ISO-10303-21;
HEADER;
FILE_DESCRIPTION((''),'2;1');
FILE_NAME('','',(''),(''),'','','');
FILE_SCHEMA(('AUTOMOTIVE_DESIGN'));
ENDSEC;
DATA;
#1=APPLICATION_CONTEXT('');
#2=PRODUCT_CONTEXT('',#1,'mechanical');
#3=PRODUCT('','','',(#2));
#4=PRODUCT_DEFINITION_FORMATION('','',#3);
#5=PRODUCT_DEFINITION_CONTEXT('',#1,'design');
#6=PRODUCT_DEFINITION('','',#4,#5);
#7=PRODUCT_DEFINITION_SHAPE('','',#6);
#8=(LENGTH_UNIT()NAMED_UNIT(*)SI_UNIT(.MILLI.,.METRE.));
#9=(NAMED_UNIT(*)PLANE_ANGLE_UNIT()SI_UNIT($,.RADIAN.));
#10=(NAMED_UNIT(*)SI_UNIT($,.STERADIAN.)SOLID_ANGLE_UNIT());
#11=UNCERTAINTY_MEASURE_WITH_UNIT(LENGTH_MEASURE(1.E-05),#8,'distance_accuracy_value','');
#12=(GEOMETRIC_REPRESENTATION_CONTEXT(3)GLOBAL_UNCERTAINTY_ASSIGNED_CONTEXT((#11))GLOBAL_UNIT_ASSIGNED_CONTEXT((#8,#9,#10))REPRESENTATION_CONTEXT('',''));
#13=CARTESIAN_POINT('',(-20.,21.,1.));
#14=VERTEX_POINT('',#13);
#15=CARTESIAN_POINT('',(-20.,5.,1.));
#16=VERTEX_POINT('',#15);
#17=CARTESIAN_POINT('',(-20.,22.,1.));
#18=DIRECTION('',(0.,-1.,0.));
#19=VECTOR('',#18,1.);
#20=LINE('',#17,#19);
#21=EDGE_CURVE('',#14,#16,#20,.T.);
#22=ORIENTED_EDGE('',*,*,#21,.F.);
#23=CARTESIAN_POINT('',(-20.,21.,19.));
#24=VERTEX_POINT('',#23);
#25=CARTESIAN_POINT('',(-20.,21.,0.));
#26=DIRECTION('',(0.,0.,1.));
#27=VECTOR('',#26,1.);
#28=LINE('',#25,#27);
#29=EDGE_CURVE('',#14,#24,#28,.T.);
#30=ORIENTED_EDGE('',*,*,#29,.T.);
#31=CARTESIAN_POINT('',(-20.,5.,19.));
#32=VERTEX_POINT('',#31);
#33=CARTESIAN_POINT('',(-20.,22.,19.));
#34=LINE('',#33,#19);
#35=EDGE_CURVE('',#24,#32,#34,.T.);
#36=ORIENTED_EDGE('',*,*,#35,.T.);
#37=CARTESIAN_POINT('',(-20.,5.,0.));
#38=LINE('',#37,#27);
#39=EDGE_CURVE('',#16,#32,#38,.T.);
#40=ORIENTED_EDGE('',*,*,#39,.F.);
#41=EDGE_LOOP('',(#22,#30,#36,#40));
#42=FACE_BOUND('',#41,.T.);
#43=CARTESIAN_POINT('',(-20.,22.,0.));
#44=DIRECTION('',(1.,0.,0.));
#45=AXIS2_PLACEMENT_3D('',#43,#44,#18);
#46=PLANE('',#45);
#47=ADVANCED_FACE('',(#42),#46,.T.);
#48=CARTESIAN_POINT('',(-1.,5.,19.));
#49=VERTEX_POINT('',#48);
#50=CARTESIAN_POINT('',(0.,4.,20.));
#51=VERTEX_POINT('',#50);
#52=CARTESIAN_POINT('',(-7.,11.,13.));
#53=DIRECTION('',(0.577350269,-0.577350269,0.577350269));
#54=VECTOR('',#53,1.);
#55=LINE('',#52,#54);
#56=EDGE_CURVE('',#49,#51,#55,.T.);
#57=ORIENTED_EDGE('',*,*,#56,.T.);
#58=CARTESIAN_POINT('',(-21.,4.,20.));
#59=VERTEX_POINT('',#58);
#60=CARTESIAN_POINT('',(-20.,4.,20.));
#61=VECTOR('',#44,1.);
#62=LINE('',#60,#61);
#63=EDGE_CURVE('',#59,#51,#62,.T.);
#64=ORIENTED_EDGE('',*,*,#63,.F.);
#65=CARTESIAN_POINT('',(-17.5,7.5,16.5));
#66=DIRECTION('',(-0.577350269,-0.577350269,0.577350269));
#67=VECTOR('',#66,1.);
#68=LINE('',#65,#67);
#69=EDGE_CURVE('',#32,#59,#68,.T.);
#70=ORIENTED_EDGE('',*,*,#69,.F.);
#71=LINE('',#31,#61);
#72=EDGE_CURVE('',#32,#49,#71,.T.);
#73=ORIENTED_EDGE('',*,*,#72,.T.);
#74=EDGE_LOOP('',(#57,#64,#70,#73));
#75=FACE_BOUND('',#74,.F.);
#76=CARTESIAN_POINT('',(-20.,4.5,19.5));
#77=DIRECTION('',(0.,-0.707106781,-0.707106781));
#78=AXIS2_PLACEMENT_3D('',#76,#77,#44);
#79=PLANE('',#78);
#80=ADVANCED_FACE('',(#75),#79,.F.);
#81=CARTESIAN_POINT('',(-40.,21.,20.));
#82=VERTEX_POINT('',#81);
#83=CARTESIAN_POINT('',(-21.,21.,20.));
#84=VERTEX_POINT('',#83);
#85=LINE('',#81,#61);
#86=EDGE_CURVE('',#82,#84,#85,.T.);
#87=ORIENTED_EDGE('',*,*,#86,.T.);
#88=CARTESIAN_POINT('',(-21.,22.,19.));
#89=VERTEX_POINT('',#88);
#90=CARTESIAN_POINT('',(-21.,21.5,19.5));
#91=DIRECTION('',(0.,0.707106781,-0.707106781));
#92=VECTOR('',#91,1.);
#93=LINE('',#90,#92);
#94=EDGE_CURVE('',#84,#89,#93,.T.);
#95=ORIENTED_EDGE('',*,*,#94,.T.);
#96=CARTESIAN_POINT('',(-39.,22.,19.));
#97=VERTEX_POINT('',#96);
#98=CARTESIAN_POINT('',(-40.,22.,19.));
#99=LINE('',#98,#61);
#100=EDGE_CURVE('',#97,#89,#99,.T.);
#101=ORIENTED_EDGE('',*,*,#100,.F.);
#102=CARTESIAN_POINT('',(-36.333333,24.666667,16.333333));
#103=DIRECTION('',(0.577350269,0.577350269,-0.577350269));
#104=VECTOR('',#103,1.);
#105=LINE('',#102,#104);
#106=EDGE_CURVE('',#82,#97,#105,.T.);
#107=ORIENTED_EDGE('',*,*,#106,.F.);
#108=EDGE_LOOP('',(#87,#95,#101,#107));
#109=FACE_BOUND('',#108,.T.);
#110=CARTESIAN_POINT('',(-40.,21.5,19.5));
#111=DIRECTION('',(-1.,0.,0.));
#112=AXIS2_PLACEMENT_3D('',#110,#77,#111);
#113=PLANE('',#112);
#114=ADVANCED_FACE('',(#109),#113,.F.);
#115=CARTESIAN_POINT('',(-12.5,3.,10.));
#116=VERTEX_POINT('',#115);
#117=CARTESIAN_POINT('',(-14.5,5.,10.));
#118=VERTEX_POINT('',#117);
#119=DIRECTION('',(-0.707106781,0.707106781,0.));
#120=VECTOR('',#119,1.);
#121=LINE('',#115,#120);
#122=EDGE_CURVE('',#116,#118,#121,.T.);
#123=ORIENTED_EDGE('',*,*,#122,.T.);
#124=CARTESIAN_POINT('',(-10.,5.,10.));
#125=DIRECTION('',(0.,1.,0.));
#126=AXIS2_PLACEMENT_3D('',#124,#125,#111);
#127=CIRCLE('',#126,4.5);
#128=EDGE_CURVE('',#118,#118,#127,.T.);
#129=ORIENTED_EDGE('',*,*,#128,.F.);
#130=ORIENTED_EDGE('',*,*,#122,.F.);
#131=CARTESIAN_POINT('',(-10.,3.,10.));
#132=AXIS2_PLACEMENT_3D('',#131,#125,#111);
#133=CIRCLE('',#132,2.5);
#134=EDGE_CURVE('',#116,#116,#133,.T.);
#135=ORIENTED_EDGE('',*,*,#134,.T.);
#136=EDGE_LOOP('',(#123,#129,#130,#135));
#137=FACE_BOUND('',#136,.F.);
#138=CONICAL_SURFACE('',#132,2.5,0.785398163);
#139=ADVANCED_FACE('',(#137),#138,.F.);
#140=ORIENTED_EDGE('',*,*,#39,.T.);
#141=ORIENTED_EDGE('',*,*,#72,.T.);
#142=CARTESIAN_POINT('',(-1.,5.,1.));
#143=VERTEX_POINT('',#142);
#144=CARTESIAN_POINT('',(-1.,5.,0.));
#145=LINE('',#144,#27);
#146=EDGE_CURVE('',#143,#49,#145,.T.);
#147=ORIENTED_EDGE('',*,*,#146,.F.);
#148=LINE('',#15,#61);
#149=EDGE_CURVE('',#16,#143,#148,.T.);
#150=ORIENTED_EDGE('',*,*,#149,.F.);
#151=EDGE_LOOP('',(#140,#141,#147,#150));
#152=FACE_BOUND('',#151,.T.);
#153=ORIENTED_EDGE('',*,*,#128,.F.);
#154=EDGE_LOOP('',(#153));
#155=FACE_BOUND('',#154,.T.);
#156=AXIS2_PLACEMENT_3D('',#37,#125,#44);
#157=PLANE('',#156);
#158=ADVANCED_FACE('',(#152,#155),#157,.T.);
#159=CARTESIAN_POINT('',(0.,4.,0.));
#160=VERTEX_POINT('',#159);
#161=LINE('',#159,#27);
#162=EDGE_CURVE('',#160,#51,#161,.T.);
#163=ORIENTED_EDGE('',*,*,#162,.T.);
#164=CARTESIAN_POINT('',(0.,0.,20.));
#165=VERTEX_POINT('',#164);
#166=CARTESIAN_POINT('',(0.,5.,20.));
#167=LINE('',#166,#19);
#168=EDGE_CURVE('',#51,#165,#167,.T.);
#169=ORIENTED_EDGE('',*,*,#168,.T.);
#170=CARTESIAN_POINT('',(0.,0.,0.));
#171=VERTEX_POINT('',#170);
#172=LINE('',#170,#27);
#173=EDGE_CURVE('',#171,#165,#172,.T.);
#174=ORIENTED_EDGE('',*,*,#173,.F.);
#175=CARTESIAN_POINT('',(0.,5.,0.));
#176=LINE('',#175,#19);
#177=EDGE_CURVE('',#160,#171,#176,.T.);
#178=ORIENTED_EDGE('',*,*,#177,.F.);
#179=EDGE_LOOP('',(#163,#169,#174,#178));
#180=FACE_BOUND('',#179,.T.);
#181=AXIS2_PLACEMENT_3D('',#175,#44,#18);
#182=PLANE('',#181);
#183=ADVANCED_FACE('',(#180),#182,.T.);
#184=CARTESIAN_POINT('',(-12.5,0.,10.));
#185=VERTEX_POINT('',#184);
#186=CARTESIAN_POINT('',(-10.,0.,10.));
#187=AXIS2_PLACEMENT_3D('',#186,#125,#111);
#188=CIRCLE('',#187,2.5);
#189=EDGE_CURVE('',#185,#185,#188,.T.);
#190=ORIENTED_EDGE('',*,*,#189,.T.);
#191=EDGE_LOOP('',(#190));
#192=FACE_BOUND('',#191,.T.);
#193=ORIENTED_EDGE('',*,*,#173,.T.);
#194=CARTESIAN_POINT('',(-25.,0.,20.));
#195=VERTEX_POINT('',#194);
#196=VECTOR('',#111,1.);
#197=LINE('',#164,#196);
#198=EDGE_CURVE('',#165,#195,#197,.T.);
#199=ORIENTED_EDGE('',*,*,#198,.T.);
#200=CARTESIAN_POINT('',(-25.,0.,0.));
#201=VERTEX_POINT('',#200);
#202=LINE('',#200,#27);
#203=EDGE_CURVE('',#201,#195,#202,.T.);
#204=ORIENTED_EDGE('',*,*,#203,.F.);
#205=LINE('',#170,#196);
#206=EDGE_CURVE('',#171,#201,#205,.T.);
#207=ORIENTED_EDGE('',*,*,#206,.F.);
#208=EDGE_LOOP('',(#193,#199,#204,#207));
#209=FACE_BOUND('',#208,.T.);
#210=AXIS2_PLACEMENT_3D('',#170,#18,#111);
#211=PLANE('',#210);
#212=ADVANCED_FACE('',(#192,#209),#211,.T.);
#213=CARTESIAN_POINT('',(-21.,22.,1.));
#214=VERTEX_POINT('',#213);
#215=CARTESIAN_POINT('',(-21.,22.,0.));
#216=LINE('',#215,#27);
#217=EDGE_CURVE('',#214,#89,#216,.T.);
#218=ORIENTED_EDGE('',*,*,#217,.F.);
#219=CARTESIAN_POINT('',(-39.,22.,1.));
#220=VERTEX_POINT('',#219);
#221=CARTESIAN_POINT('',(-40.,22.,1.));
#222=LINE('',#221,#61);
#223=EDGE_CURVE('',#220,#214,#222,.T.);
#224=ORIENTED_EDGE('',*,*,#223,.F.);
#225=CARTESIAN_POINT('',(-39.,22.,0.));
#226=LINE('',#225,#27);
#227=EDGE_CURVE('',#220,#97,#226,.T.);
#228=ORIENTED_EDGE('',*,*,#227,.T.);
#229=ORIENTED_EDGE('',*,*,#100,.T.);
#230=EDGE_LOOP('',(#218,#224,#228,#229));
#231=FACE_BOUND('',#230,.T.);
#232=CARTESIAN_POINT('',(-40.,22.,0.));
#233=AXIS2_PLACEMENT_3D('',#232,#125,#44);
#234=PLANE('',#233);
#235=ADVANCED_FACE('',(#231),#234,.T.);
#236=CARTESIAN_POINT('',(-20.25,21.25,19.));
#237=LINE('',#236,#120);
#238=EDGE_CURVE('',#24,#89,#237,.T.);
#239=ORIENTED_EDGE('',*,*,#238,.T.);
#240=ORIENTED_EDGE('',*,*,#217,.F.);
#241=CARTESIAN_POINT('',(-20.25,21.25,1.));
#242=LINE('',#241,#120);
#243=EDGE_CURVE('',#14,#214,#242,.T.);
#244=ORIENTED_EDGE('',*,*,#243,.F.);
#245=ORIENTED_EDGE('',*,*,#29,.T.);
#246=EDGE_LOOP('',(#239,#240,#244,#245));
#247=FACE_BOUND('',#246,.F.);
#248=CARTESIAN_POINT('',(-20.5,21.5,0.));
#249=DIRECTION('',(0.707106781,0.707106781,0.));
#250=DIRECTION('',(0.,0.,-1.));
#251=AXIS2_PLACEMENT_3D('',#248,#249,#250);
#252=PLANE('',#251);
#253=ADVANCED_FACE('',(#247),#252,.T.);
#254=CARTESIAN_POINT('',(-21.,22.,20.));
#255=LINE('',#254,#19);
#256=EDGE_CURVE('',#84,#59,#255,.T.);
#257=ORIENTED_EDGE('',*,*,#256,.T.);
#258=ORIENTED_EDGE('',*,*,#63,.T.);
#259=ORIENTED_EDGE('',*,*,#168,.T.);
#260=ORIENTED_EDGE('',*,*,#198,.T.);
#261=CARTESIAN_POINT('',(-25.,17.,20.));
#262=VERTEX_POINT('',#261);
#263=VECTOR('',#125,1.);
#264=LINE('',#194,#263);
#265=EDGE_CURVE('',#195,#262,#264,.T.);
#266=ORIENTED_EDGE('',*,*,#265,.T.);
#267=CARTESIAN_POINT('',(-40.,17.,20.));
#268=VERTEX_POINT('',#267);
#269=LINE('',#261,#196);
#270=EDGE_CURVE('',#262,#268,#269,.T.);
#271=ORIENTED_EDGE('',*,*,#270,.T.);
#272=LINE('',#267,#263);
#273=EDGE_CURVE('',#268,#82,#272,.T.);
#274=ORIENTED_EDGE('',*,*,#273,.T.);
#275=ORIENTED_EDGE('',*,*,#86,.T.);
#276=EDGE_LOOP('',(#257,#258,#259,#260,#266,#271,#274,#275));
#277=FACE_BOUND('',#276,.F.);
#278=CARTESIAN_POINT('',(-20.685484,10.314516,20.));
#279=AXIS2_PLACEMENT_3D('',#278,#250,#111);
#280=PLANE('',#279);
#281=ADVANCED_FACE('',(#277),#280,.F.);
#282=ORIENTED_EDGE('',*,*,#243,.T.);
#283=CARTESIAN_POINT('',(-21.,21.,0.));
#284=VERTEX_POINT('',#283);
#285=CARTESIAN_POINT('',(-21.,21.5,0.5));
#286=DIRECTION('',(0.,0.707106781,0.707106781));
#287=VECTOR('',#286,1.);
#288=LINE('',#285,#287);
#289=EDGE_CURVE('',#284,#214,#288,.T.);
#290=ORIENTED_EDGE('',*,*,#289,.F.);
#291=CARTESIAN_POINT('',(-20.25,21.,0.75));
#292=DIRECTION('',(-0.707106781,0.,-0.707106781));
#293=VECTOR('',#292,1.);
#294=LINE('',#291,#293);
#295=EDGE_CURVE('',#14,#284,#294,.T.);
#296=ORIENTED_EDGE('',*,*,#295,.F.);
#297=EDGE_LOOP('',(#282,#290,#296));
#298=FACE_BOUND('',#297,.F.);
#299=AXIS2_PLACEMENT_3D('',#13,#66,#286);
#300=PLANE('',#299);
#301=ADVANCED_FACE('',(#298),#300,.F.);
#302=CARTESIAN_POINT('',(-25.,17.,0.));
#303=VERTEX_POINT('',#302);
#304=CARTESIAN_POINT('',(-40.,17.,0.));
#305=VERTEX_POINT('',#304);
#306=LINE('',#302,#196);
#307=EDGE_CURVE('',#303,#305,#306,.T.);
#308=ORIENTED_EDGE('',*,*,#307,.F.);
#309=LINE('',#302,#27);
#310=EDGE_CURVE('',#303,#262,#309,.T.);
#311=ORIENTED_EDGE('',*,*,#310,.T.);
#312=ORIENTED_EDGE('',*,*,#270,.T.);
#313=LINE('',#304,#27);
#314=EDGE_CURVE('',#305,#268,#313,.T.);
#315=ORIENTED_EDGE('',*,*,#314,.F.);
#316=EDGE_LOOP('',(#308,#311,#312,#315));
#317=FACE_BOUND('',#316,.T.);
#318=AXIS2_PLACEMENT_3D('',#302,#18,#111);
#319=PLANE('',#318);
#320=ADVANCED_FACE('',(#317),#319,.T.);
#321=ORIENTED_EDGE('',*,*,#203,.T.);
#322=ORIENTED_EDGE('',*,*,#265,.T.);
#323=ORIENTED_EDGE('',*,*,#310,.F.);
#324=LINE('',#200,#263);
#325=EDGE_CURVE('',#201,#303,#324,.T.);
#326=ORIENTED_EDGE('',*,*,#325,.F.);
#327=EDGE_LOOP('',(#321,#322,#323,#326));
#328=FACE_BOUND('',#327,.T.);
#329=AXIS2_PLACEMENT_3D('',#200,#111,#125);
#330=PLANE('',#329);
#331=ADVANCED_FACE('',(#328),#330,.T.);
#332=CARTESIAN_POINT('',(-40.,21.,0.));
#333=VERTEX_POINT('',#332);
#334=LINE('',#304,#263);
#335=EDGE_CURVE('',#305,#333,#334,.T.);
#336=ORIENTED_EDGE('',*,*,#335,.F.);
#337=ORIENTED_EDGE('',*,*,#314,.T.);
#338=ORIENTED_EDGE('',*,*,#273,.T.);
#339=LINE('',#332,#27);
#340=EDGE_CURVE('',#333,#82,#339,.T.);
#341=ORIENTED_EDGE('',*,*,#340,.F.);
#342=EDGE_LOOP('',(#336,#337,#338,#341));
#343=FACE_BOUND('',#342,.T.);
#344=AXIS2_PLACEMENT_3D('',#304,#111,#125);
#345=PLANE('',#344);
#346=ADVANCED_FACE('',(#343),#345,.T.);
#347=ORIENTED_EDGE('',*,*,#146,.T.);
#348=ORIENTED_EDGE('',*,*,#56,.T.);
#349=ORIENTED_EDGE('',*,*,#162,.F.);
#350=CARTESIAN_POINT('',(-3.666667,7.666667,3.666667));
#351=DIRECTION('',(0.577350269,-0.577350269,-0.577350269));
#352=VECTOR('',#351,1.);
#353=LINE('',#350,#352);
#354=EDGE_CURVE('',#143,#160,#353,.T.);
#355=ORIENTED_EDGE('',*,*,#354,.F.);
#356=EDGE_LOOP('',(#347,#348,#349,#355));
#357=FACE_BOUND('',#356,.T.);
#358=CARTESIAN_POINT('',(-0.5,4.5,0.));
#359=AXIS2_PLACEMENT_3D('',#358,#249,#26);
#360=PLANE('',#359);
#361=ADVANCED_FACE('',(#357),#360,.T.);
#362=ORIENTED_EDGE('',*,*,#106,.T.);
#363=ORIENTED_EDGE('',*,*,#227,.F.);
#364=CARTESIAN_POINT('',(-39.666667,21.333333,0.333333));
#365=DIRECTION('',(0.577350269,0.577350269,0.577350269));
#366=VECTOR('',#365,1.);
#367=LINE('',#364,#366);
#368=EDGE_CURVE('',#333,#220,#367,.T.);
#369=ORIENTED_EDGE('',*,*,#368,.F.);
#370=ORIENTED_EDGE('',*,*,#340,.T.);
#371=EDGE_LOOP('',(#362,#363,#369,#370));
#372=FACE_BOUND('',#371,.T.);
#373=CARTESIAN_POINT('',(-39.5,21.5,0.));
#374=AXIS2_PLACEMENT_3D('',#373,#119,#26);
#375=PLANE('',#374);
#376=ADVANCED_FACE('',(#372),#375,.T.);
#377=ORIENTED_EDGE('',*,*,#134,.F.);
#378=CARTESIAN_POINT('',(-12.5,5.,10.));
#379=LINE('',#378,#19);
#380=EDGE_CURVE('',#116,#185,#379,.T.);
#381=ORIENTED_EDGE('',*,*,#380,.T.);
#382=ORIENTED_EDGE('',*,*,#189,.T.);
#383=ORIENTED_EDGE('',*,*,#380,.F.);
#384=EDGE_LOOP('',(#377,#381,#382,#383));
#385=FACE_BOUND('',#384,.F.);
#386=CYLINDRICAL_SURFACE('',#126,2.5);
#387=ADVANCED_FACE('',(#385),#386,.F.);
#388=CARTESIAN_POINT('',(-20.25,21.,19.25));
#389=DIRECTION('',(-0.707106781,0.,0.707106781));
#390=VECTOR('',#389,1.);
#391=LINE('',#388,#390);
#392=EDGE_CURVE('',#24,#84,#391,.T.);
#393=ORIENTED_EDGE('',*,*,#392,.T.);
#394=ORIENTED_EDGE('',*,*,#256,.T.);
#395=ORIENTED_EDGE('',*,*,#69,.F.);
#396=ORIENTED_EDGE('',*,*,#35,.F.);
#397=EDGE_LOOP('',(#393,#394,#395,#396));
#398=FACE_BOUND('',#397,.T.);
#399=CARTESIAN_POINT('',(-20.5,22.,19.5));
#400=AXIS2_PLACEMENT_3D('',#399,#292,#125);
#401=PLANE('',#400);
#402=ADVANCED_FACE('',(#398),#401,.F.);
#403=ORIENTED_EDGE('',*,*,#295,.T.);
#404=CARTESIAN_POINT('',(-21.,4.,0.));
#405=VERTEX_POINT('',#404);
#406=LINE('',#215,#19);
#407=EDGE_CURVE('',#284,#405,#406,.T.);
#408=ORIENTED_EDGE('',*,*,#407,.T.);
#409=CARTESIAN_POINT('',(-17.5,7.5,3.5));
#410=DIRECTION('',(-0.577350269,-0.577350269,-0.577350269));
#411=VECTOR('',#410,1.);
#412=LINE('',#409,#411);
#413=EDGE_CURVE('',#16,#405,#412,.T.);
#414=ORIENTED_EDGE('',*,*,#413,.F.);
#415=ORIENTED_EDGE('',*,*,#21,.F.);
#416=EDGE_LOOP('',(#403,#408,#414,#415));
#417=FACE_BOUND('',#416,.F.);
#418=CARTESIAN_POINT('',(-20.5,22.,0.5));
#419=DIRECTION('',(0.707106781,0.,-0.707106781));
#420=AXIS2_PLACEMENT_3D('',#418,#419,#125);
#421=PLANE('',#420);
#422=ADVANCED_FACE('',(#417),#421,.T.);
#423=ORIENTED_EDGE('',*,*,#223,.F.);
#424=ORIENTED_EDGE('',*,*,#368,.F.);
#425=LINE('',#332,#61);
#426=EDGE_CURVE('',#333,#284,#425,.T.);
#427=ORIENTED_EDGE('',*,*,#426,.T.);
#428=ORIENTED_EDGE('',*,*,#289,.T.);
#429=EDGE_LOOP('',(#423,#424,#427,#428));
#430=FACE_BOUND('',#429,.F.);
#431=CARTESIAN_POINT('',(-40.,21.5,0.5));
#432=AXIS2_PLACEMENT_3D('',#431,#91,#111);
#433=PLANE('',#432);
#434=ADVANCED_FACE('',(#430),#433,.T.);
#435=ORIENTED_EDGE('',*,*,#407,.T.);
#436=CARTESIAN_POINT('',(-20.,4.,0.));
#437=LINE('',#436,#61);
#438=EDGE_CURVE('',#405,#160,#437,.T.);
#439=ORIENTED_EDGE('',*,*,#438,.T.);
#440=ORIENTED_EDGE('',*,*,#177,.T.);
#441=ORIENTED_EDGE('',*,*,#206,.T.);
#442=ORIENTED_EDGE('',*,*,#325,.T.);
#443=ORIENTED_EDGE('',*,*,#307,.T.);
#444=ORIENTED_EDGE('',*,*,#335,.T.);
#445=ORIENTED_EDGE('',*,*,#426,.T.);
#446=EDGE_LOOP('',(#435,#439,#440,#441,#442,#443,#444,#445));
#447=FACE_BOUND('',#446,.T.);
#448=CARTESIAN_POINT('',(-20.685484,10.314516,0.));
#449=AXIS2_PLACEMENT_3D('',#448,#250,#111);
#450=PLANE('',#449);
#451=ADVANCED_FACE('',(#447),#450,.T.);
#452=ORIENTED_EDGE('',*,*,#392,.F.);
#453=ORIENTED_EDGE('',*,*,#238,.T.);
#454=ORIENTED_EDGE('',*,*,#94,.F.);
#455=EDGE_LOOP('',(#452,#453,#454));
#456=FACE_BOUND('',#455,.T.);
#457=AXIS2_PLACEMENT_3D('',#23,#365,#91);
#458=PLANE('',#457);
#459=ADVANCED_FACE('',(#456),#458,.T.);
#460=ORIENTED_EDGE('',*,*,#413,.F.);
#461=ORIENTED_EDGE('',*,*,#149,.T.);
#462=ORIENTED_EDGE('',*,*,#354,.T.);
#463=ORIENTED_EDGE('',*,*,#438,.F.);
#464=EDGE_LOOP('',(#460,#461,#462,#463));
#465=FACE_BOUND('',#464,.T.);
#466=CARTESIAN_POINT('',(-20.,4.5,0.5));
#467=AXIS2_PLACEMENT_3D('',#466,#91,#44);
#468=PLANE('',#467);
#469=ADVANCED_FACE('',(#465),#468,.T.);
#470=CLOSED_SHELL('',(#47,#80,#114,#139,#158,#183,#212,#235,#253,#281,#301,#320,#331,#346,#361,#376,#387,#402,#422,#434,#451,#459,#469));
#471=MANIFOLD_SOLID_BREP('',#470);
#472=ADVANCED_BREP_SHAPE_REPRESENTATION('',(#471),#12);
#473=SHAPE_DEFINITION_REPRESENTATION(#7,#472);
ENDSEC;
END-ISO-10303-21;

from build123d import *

# Parameters (mm, degrees)
PAD_DEPTH       = 20
SKETCH001_R     = 2.5
POCKET_DEPTH    = 5.001
CHAMFER_SIZE    = 2
CHAMFER001_SIZE = 1


with BuildPart() as part:
    # Sketch → Pad (new body)
    with BuildSketch(Plane.XY):
        Polygon((0, 0), (-25, 0), (-25, 17), (-40, 17), (-40, 22), (-20, 22), (-20, 5), (0, 5), align=None)
    extrude(amount=PAD_DEPTH)

    # Sketch001 (on Face7 of Pad) → Pocket (cut, through all)
    with BuildSketch(Plane(origin=(0, 5, 0), x_dir=(-1, 0, 0), z_dir=(0, 1, 0))):
        with Locations((10, 10)):
            Circle(SKETCH001_R)
    extrude(amount=-POCKET_DEPTH, mode=Mode.SUBTRACT)

    # Chamfer
    chamfer_edges = [part.edges().sort_by_distance(p)[0] for p in [
        (-7.5, 5, 10),
    ]]
    chamfer(chamfer_edges, length=CHAMFER_SIZE)

    # Chamfer001
    chamfer001_edges = [part.edges().sort_by_distance(p)[0] for p in [
        (-10, 5, 0),
        (0, 5, 10),
        (-10, 5, 20),
        (-30, 22, 20),
        (-40, 22, 10),
        (-30, 22, 0),
        (-20, 13.5, 0),
        (-20, 13.5, 20),
        (-20, 22, 10),
    ]]
    chamfer(chamfer001_edges, length=CHAMFER001_SIZE)


solid = part.part
